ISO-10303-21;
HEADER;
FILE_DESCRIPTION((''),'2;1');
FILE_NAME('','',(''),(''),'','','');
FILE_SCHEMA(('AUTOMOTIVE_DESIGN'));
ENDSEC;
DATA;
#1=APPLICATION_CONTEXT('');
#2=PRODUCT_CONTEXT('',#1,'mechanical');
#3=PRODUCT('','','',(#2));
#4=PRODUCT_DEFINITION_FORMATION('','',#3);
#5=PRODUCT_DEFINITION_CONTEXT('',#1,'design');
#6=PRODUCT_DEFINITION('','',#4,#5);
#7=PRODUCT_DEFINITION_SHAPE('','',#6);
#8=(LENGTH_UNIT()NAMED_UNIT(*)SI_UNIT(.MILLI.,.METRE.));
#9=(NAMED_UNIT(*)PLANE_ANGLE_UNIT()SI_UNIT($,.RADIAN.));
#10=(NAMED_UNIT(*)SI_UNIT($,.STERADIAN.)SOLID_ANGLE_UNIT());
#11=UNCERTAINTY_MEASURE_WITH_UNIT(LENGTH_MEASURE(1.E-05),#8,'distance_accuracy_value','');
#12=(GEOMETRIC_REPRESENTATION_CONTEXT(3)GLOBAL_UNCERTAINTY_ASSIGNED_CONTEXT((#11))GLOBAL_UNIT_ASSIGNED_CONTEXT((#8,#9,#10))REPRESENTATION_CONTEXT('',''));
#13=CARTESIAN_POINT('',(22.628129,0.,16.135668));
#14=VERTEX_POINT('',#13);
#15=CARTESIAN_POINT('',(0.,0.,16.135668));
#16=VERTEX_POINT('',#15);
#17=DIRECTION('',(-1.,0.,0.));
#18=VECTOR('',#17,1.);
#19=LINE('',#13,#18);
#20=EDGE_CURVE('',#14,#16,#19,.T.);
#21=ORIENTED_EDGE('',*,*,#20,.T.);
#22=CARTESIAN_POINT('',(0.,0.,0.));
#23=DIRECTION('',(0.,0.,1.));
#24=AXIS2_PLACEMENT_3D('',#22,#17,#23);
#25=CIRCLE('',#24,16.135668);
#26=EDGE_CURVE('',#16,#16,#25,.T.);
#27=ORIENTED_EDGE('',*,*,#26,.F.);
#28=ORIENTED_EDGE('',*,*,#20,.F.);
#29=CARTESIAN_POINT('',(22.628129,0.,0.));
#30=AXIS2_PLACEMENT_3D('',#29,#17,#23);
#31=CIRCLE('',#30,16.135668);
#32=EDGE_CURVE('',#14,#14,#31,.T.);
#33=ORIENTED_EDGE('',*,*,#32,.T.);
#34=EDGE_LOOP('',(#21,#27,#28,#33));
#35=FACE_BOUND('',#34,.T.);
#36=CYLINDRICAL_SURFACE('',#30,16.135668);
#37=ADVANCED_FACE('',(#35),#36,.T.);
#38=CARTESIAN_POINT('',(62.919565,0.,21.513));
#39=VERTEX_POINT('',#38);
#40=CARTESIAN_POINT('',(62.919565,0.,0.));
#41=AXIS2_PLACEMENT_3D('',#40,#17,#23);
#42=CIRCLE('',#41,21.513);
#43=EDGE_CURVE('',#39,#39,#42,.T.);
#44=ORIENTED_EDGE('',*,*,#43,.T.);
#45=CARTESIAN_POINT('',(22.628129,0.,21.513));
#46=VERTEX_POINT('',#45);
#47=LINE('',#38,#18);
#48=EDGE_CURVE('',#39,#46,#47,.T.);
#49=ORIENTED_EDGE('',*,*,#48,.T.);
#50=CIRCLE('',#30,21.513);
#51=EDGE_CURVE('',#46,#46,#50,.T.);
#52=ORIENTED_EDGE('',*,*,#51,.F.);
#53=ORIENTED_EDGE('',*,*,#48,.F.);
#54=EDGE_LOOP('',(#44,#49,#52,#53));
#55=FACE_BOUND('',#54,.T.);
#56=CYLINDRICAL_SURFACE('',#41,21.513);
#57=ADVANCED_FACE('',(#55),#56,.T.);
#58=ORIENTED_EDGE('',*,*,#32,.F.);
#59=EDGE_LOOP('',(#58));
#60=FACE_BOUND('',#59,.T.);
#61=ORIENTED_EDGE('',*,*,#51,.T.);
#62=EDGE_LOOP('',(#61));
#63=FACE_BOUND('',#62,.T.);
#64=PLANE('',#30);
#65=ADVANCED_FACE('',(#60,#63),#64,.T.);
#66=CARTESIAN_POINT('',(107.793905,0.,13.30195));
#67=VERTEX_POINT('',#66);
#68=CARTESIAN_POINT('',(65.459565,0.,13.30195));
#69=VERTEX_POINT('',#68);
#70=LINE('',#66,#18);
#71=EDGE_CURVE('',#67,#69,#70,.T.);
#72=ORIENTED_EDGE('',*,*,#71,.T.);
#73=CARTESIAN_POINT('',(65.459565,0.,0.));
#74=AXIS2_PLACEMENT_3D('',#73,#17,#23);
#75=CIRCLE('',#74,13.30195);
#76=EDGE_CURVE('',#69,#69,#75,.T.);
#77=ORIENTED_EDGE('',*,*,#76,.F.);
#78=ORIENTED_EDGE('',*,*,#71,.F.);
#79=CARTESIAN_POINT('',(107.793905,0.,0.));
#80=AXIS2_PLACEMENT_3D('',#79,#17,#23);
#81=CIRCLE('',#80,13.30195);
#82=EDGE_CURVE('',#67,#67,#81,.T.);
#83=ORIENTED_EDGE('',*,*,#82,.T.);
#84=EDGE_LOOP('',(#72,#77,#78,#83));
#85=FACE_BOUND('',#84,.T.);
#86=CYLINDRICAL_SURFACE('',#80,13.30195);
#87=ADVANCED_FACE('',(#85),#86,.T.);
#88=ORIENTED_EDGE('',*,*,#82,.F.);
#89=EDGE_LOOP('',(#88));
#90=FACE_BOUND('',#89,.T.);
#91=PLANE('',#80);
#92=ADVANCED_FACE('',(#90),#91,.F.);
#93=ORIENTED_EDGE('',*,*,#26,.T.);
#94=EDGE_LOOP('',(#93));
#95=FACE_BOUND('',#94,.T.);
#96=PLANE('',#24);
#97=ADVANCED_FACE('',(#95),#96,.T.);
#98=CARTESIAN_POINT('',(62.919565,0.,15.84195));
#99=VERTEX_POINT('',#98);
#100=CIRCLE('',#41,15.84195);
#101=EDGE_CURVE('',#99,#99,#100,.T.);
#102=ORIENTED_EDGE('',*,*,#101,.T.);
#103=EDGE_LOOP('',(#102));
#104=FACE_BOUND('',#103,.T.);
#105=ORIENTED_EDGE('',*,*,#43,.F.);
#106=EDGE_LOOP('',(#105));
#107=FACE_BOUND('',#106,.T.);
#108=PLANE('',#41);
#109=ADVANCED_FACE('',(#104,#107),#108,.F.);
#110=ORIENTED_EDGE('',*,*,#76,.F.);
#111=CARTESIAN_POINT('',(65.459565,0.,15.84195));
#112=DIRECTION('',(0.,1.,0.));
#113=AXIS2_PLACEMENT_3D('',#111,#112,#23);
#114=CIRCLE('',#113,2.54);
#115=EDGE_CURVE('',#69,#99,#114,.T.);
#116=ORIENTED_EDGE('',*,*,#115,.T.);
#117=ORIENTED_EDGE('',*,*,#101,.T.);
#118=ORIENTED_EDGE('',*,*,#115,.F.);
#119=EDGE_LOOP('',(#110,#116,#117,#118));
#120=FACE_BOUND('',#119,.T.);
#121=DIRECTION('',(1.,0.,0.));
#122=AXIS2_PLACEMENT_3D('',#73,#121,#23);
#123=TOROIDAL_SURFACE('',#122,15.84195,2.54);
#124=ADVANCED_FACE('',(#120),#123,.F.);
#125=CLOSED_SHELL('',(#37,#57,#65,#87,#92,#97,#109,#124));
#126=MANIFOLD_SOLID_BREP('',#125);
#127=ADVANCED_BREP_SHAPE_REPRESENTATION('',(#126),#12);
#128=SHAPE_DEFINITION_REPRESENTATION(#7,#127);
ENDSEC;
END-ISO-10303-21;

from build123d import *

# Parameters (mm, degrees)
F2_R = 2.54


with BuildPart() as f1:
    # F0 (on Front) → F1 (revolve)
    with BuildSketch(Plane.XZ):
        Polygon((0, 16.135668), (0, 0), (107.793905, 0), (107.793905, 13.30195), (62.919565, 13.30195), (62.919565, 21.513), (22.628129, 21.513), (22.628129, 16.135668), align=None)
    revolve(axis=Axis((53.896952, 0, 0), (-1, 0, 0)))

    # F2
    f2_edges = [f1.edges().sort_by_distance(p)[0] for p in [
        (62.919565, 0, -13.30195),
    ]]
    fillet(f2_edges, radius=F2_R)


solid = f1.part
